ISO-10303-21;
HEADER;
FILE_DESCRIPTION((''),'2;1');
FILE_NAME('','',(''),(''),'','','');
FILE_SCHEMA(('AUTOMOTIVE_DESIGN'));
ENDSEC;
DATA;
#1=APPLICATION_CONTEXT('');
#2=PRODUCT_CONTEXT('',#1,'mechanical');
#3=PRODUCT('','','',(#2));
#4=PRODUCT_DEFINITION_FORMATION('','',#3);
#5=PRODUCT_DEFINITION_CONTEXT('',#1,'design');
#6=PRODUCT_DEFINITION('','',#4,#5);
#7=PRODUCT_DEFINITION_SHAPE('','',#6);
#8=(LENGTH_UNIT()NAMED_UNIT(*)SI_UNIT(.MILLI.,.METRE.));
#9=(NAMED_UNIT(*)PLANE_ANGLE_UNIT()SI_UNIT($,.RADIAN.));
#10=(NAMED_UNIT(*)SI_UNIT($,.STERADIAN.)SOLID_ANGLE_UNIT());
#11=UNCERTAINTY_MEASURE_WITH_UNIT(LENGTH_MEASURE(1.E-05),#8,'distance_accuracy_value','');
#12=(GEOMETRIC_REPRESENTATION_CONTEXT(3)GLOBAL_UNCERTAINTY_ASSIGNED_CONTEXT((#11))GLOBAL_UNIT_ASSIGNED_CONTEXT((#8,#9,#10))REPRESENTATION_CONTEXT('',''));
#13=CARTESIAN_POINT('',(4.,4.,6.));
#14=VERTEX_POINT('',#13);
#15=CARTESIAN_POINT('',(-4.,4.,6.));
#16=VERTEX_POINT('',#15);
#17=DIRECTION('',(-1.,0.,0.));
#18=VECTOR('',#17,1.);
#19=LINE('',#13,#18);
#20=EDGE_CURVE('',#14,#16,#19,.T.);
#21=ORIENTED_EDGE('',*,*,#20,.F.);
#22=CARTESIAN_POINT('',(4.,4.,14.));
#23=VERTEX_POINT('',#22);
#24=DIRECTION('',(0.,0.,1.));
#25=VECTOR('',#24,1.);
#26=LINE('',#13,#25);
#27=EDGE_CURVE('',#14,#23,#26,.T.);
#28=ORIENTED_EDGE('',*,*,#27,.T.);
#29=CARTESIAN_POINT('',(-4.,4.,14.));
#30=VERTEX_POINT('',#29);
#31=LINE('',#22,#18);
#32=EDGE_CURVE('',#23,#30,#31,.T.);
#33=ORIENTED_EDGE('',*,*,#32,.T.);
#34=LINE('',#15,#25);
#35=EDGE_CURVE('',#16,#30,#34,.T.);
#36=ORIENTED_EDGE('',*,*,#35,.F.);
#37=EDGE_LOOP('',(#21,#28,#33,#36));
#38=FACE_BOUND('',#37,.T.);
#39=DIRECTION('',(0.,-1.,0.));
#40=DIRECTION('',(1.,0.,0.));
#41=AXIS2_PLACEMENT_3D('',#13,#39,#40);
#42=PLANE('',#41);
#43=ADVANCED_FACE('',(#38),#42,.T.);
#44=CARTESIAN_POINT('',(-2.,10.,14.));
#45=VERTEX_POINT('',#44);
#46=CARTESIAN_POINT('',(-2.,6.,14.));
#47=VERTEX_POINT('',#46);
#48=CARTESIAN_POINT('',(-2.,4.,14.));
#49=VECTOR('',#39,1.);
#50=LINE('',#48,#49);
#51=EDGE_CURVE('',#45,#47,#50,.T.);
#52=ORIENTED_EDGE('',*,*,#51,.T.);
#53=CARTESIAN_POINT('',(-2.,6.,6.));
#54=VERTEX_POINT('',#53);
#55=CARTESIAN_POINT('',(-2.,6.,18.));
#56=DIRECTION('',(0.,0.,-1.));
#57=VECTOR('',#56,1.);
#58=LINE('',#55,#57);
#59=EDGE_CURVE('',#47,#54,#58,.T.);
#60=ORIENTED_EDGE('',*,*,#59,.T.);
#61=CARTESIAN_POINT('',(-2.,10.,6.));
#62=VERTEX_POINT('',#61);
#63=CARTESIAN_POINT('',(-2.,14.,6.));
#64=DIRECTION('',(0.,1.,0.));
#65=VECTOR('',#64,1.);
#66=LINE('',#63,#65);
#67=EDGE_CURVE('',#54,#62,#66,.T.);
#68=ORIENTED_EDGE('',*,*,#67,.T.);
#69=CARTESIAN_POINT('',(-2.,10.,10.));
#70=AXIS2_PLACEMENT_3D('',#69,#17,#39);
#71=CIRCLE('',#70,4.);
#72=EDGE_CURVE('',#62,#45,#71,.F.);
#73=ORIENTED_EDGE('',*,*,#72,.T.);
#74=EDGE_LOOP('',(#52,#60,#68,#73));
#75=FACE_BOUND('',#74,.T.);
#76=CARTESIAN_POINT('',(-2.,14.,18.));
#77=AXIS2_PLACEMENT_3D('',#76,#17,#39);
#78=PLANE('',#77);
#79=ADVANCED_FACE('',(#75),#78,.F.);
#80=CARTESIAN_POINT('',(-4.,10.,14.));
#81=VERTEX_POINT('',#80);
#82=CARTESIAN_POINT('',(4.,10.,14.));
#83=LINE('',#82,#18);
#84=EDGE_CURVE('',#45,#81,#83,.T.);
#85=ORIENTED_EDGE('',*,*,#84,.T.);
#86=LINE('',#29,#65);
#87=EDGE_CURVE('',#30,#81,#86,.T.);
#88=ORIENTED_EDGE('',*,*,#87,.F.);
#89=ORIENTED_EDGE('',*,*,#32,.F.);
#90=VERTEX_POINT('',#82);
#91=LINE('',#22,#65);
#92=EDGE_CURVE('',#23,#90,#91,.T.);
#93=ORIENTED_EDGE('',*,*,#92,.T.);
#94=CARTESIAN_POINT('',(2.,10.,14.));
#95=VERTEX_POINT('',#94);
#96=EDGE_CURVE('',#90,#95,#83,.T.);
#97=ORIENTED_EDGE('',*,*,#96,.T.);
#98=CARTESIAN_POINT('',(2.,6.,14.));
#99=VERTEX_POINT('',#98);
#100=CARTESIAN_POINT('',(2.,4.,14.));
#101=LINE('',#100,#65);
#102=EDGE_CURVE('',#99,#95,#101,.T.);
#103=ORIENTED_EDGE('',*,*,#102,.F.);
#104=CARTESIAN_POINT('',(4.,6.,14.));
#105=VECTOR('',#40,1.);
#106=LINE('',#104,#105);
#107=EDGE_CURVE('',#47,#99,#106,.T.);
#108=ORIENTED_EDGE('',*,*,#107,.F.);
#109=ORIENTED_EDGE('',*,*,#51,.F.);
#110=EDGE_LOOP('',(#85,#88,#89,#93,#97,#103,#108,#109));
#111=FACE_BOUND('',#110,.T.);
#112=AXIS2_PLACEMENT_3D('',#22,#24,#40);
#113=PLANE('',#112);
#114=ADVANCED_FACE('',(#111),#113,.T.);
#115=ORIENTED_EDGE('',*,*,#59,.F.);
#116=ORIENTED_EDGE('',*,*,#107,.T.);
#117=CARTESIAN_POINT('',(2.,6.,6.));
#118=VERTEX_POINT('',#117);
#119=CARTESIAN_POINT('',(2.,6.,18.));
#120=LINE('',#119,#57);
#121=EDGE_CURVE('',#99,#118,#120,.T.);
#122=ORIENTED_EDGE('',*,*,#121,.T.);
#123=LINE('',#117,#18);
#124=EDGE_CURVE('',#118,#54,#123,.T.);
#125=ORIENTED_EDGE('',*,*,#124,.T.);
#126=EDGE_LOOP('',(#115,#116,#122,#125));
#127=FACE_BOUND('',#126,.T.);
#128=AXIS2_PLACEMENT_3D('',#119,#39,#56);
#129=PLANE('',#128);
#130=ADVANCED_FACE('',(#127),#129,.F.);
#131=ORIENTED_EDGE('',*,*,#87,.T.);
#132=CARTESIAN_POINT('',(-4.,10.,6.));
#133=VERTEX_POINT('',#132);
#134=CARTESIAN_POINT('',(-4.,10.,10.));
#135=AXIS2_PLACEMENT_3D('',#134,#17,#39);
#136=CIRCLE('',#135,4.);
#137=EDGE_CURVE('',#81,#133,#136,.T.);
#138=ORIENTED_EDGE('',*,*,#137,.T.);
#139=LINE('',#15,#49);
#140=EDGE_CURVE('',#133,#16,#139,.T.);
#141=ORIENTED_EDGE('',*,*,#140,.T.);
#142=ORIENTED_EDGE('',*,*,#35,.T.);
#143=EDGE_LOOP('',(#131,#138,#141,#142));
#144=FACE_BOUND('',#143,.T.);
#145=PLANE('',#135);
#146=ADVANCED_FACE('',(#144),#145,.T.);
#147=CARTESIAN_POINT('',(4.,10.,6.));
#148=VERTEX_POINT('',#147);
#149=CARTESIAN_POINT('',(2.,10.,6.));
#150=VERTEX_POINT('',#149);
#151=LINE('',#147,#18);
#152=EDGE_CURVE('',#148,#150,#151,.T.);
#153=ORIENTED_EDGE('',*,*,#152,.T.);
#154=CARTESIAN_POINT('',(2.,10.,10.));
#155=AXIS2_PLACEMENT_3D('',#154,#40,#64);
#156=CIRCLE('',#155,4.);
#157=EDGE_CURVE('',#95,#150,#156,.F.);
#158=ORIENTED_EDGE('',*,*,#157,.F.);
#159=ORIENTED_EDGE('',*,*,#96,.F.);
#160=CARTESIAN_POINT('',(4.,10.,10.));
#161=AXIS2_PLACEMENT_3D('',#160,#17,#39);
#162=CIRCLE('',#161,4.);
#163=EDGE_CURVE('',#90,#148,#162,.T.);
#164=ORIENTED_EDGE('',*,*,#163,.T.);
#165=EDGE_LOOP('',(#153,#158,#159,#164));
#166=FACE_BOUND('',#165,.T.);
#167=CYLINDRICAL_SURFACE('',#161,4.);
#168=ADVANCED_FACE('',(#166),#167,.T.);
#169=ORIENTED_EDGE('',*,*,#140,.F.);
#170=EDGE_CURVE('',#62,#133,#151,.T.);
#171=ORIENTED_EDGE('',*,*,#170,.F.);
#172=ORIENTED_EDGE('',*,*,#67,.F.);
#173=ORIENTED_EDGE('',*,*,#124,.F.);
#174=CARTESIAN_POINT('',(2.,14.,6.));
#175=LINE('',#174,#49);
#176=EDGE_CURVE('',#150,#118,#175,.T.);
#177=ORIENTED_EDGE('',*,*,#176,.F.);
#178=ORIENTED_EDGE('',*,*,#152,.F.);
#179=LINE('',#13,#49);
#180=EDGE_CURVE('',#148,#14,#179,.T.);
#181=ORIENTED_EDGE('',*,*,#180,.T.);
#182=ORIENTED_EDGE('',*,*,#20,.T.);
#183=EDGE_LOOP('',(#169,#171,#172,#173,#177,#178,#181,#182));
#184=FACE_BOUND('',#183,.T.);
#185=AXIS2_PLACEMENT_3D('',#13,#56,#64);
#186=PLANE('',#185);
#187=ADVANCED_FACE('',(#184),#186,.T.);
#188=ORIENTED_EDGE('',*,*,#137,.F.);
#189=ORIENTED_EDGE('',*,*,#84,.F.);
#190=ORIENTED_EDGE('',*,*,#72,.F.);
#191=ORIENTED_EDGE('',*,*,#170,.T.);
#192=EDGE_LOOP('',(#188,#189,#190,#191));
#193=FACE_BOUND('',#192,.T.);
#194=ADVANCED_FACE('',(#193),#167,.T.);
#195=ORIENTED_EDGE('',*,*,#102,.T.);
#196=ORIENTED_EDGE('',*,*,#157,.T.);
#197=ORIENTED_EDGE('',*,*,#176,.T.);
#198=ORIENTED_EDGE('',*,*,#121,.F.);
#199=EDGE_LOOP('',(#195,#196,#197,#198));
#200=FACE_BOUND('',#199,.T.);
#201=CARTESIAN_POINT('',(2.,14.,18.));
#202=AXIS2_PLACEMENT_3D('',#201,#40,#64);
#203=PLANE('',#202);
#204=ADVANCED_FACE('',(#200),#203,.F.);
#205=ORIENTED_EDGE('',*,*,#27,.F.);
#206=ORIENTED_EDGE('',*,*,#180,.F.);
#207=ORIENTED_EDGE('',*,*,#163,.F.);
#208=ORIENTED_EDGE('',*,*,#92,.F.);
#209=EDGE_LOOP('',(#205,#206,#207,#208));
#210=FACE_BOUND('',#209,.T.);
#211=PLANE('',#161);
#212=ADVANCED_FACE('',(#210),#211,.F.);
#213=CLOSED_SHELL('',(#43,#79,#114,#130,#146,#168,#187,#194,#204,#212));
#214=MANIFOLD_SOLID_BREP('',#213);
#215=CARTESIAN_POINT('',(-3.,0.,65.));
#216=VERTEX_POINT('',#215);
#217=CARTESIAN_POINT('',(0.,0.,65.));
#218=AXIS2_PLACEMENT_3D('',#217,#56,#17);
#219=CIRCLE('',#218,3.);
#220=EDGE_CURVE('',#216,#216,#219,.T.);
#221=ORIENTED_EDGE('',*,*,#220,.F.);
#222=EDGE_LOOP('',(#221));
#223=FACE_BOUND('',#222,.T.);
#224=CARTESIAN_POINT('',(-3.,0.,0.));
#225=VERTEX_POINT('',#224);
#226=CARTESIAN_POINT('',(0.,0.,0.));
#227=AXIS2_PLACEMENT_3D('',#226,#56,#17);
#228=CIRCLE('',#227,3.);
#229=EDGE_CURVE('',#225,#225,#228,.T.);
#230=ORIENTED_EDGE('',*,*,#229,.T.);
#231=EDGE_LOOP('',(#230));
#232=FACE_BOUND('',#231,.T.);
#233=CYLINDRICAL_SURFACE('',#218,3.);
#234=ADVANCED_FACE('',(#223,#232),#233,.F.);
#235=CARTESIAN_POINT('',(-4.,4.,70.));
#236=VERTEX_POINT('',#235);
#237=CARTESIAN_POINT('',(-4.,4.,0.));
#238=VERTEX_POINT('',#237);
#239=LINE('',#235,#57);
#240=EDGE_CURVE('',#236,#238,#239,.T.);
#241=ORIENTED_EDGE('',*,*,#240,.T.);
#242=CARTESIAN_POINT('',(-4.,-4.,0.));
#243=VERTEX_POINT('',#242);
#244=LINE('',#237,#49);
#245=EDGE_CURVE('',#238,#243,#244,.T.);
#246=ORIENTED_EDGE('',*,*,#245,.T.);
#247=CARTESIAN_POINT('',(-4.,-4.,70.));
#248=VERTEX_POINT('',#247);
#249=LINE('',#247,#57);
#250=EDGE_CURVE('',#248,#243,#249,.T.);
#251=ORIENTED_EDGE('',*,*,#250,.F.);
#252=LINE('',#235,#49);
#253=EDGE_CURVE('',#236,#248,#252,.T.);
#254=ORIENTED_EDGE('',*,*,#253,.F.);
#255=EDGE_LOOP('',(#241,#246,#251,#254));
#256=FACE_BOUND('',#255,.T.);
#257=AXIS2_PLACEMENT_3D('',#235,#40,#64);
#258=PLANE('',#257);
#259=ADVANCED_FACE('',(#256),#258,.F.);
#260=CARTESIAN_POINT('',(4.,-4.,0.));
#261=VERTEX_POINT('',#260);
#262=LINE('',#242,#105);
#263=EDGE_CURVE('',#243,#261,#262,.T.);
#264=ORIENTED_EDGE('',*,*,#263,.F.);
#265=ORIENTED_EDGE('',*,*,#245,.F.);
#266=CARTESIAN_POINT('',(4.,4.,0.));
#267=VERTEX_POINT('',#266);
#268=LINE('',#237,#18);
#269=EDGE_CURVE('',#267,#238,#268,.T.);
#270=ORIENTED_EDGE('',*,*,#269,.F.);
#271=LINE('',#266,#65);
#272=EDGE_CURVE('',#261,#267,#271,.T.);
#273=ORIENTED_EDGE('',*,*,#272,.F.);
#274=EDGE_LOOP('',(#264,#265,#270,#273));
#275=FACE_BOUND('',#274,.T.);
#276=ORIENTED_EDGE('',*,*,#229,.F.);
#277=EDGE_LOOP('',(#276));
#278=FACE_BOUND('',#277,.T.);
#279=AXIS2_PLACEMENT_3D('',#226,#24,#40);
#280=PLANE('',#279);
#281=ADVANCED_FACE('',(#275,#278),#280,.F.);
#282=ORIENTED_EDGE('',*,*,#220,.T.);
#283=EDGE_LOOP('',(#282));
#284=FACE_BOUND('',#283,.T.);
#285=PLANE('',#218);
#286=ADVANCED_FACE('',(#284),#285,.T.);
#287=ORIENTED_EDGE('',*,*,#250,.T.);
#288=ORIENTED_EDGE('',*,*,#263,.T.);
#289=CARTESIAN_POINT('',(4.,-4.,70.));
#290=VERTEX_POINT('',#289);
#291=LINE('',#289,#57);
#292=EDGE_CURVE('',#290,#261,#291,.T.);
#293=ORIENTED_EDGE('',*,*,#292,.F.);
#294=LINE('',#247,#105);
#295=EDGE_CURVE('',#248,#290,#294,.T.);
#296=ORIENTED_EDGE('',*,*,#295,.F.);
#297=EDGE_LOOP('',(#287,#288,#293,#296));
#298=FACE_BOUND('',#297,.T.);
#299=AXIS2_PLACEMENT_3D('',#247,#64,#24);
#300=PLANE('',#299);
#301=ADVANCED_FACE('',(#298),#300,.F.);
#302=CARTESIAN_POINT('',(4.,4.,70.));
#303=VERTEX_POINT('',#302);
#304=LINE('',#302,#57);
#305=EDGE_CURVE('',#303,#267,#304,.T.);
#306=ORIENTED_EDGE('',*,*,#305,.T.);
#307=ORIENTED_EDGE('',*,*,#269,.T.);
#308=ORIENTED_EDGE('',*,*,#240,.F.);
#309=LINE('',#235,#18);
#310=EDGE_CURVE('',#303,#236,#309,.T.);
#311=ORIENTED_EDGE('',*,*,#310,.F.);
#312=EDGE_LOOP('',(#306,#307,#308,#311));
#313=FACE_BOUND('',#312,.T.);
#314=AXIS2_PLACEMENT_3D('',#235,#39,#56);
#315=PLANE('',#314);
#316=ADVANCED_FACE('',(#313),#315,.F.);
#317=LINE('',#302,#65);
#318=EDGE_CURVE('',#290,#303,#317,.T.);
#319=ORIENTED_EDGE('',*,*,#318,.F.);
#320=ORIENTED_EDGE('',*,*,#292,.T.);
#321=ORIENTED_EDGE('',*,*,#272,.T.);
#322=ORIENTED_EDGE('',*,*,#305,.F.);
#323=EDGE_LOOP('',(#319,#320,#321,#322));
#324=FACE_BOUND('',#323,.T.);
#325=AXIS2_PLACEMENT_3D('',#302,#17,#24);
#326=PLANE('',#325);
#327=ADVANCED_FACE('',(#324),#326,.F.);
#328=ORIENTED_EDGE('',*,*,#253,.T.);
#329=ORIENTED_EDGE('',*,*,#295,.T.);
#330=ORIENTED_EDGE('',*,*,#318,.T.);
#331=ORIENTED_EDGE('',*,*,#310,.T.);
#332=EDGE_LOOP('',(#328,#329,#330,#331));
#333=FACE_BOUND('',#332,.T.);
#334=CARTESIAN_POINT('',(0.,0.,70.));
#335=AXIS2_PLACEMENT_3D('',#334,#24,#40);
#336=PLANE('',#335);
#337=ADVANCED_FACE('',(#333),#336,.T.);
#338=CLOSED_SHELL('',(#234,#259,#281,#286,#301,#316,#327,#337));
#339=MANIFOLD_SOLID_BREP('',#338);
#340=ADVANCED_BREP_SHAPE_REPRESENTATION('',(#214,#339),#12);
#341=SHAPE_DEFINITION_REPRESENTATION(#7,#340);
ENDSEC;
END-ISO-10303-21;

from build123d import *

# Parameters (mm, degrees)
SKETCH_1_W           = 8
SKETCH_1_H           = 8
EXTRUDE_1_DEPTH      = 70
SKETCH_2_R           = 3
CUT_EXTRUDE_1_DEPTH  = 65
EXTRUDE_2_DEPTH      = 8
SKETCH_8_W           = 4
SKETCH_8_H           = 8
CUT_EXTRUDE_10_DEPTH = 12


with BuildPart() as part:
    # 草图1 → 凸台-拉伸1 (new body)
    with BuildSketch(Plane.XY):
        Rectangle(SKETCH_1_W, SKETCH_1_H)
    extrude(amount=EXTRUDE_1_DEPTH)

    # 草图2 → 切除-拉伸1 (cut)
    with BuildSketch(Plane(origin=(0, 0, 0), x_dir=(-1, 0, 0), z_dir=(0, 0, -1))):
        Circle(SKETCH_2_R)
    extrude(amount=-CUT_EXTRUDE_1_DEPTH, mode=Mode.SUBTRACT)


with BuildPart() as body_2:
    # 草图3 → 凸台-拉伸2 (new body)
    with BuildSketch(Plane.ZY.offset(4)):
        with BuildLine():
            Line((6, 4), (14, 4))
            Line((14, 4), (14, 10))
            ThreePointArc((14, 10), (10, 14), (6, 10))
            Line((6, 10), (6, 4))
        make_face()
    extrude(amount=-EXTRUDE_2_DEPTH)

    # 草图8 → 切除-拉伸10 (cut)
    with BuildSketch(Plane(origin=(0, 0, 6), x_dir=(-1, 0, 0), z_dir=(0, 0, -1))):
        with Locations((0, 10)):
            Rectangle(SKETCH_8_W, SKETCH_8_H)
    extrude(amount=-CUT_EXTRUDE_10_DEPTH, mode=Mode.SUBTRACT)


solid = Compound([part.part, body_2.part])
